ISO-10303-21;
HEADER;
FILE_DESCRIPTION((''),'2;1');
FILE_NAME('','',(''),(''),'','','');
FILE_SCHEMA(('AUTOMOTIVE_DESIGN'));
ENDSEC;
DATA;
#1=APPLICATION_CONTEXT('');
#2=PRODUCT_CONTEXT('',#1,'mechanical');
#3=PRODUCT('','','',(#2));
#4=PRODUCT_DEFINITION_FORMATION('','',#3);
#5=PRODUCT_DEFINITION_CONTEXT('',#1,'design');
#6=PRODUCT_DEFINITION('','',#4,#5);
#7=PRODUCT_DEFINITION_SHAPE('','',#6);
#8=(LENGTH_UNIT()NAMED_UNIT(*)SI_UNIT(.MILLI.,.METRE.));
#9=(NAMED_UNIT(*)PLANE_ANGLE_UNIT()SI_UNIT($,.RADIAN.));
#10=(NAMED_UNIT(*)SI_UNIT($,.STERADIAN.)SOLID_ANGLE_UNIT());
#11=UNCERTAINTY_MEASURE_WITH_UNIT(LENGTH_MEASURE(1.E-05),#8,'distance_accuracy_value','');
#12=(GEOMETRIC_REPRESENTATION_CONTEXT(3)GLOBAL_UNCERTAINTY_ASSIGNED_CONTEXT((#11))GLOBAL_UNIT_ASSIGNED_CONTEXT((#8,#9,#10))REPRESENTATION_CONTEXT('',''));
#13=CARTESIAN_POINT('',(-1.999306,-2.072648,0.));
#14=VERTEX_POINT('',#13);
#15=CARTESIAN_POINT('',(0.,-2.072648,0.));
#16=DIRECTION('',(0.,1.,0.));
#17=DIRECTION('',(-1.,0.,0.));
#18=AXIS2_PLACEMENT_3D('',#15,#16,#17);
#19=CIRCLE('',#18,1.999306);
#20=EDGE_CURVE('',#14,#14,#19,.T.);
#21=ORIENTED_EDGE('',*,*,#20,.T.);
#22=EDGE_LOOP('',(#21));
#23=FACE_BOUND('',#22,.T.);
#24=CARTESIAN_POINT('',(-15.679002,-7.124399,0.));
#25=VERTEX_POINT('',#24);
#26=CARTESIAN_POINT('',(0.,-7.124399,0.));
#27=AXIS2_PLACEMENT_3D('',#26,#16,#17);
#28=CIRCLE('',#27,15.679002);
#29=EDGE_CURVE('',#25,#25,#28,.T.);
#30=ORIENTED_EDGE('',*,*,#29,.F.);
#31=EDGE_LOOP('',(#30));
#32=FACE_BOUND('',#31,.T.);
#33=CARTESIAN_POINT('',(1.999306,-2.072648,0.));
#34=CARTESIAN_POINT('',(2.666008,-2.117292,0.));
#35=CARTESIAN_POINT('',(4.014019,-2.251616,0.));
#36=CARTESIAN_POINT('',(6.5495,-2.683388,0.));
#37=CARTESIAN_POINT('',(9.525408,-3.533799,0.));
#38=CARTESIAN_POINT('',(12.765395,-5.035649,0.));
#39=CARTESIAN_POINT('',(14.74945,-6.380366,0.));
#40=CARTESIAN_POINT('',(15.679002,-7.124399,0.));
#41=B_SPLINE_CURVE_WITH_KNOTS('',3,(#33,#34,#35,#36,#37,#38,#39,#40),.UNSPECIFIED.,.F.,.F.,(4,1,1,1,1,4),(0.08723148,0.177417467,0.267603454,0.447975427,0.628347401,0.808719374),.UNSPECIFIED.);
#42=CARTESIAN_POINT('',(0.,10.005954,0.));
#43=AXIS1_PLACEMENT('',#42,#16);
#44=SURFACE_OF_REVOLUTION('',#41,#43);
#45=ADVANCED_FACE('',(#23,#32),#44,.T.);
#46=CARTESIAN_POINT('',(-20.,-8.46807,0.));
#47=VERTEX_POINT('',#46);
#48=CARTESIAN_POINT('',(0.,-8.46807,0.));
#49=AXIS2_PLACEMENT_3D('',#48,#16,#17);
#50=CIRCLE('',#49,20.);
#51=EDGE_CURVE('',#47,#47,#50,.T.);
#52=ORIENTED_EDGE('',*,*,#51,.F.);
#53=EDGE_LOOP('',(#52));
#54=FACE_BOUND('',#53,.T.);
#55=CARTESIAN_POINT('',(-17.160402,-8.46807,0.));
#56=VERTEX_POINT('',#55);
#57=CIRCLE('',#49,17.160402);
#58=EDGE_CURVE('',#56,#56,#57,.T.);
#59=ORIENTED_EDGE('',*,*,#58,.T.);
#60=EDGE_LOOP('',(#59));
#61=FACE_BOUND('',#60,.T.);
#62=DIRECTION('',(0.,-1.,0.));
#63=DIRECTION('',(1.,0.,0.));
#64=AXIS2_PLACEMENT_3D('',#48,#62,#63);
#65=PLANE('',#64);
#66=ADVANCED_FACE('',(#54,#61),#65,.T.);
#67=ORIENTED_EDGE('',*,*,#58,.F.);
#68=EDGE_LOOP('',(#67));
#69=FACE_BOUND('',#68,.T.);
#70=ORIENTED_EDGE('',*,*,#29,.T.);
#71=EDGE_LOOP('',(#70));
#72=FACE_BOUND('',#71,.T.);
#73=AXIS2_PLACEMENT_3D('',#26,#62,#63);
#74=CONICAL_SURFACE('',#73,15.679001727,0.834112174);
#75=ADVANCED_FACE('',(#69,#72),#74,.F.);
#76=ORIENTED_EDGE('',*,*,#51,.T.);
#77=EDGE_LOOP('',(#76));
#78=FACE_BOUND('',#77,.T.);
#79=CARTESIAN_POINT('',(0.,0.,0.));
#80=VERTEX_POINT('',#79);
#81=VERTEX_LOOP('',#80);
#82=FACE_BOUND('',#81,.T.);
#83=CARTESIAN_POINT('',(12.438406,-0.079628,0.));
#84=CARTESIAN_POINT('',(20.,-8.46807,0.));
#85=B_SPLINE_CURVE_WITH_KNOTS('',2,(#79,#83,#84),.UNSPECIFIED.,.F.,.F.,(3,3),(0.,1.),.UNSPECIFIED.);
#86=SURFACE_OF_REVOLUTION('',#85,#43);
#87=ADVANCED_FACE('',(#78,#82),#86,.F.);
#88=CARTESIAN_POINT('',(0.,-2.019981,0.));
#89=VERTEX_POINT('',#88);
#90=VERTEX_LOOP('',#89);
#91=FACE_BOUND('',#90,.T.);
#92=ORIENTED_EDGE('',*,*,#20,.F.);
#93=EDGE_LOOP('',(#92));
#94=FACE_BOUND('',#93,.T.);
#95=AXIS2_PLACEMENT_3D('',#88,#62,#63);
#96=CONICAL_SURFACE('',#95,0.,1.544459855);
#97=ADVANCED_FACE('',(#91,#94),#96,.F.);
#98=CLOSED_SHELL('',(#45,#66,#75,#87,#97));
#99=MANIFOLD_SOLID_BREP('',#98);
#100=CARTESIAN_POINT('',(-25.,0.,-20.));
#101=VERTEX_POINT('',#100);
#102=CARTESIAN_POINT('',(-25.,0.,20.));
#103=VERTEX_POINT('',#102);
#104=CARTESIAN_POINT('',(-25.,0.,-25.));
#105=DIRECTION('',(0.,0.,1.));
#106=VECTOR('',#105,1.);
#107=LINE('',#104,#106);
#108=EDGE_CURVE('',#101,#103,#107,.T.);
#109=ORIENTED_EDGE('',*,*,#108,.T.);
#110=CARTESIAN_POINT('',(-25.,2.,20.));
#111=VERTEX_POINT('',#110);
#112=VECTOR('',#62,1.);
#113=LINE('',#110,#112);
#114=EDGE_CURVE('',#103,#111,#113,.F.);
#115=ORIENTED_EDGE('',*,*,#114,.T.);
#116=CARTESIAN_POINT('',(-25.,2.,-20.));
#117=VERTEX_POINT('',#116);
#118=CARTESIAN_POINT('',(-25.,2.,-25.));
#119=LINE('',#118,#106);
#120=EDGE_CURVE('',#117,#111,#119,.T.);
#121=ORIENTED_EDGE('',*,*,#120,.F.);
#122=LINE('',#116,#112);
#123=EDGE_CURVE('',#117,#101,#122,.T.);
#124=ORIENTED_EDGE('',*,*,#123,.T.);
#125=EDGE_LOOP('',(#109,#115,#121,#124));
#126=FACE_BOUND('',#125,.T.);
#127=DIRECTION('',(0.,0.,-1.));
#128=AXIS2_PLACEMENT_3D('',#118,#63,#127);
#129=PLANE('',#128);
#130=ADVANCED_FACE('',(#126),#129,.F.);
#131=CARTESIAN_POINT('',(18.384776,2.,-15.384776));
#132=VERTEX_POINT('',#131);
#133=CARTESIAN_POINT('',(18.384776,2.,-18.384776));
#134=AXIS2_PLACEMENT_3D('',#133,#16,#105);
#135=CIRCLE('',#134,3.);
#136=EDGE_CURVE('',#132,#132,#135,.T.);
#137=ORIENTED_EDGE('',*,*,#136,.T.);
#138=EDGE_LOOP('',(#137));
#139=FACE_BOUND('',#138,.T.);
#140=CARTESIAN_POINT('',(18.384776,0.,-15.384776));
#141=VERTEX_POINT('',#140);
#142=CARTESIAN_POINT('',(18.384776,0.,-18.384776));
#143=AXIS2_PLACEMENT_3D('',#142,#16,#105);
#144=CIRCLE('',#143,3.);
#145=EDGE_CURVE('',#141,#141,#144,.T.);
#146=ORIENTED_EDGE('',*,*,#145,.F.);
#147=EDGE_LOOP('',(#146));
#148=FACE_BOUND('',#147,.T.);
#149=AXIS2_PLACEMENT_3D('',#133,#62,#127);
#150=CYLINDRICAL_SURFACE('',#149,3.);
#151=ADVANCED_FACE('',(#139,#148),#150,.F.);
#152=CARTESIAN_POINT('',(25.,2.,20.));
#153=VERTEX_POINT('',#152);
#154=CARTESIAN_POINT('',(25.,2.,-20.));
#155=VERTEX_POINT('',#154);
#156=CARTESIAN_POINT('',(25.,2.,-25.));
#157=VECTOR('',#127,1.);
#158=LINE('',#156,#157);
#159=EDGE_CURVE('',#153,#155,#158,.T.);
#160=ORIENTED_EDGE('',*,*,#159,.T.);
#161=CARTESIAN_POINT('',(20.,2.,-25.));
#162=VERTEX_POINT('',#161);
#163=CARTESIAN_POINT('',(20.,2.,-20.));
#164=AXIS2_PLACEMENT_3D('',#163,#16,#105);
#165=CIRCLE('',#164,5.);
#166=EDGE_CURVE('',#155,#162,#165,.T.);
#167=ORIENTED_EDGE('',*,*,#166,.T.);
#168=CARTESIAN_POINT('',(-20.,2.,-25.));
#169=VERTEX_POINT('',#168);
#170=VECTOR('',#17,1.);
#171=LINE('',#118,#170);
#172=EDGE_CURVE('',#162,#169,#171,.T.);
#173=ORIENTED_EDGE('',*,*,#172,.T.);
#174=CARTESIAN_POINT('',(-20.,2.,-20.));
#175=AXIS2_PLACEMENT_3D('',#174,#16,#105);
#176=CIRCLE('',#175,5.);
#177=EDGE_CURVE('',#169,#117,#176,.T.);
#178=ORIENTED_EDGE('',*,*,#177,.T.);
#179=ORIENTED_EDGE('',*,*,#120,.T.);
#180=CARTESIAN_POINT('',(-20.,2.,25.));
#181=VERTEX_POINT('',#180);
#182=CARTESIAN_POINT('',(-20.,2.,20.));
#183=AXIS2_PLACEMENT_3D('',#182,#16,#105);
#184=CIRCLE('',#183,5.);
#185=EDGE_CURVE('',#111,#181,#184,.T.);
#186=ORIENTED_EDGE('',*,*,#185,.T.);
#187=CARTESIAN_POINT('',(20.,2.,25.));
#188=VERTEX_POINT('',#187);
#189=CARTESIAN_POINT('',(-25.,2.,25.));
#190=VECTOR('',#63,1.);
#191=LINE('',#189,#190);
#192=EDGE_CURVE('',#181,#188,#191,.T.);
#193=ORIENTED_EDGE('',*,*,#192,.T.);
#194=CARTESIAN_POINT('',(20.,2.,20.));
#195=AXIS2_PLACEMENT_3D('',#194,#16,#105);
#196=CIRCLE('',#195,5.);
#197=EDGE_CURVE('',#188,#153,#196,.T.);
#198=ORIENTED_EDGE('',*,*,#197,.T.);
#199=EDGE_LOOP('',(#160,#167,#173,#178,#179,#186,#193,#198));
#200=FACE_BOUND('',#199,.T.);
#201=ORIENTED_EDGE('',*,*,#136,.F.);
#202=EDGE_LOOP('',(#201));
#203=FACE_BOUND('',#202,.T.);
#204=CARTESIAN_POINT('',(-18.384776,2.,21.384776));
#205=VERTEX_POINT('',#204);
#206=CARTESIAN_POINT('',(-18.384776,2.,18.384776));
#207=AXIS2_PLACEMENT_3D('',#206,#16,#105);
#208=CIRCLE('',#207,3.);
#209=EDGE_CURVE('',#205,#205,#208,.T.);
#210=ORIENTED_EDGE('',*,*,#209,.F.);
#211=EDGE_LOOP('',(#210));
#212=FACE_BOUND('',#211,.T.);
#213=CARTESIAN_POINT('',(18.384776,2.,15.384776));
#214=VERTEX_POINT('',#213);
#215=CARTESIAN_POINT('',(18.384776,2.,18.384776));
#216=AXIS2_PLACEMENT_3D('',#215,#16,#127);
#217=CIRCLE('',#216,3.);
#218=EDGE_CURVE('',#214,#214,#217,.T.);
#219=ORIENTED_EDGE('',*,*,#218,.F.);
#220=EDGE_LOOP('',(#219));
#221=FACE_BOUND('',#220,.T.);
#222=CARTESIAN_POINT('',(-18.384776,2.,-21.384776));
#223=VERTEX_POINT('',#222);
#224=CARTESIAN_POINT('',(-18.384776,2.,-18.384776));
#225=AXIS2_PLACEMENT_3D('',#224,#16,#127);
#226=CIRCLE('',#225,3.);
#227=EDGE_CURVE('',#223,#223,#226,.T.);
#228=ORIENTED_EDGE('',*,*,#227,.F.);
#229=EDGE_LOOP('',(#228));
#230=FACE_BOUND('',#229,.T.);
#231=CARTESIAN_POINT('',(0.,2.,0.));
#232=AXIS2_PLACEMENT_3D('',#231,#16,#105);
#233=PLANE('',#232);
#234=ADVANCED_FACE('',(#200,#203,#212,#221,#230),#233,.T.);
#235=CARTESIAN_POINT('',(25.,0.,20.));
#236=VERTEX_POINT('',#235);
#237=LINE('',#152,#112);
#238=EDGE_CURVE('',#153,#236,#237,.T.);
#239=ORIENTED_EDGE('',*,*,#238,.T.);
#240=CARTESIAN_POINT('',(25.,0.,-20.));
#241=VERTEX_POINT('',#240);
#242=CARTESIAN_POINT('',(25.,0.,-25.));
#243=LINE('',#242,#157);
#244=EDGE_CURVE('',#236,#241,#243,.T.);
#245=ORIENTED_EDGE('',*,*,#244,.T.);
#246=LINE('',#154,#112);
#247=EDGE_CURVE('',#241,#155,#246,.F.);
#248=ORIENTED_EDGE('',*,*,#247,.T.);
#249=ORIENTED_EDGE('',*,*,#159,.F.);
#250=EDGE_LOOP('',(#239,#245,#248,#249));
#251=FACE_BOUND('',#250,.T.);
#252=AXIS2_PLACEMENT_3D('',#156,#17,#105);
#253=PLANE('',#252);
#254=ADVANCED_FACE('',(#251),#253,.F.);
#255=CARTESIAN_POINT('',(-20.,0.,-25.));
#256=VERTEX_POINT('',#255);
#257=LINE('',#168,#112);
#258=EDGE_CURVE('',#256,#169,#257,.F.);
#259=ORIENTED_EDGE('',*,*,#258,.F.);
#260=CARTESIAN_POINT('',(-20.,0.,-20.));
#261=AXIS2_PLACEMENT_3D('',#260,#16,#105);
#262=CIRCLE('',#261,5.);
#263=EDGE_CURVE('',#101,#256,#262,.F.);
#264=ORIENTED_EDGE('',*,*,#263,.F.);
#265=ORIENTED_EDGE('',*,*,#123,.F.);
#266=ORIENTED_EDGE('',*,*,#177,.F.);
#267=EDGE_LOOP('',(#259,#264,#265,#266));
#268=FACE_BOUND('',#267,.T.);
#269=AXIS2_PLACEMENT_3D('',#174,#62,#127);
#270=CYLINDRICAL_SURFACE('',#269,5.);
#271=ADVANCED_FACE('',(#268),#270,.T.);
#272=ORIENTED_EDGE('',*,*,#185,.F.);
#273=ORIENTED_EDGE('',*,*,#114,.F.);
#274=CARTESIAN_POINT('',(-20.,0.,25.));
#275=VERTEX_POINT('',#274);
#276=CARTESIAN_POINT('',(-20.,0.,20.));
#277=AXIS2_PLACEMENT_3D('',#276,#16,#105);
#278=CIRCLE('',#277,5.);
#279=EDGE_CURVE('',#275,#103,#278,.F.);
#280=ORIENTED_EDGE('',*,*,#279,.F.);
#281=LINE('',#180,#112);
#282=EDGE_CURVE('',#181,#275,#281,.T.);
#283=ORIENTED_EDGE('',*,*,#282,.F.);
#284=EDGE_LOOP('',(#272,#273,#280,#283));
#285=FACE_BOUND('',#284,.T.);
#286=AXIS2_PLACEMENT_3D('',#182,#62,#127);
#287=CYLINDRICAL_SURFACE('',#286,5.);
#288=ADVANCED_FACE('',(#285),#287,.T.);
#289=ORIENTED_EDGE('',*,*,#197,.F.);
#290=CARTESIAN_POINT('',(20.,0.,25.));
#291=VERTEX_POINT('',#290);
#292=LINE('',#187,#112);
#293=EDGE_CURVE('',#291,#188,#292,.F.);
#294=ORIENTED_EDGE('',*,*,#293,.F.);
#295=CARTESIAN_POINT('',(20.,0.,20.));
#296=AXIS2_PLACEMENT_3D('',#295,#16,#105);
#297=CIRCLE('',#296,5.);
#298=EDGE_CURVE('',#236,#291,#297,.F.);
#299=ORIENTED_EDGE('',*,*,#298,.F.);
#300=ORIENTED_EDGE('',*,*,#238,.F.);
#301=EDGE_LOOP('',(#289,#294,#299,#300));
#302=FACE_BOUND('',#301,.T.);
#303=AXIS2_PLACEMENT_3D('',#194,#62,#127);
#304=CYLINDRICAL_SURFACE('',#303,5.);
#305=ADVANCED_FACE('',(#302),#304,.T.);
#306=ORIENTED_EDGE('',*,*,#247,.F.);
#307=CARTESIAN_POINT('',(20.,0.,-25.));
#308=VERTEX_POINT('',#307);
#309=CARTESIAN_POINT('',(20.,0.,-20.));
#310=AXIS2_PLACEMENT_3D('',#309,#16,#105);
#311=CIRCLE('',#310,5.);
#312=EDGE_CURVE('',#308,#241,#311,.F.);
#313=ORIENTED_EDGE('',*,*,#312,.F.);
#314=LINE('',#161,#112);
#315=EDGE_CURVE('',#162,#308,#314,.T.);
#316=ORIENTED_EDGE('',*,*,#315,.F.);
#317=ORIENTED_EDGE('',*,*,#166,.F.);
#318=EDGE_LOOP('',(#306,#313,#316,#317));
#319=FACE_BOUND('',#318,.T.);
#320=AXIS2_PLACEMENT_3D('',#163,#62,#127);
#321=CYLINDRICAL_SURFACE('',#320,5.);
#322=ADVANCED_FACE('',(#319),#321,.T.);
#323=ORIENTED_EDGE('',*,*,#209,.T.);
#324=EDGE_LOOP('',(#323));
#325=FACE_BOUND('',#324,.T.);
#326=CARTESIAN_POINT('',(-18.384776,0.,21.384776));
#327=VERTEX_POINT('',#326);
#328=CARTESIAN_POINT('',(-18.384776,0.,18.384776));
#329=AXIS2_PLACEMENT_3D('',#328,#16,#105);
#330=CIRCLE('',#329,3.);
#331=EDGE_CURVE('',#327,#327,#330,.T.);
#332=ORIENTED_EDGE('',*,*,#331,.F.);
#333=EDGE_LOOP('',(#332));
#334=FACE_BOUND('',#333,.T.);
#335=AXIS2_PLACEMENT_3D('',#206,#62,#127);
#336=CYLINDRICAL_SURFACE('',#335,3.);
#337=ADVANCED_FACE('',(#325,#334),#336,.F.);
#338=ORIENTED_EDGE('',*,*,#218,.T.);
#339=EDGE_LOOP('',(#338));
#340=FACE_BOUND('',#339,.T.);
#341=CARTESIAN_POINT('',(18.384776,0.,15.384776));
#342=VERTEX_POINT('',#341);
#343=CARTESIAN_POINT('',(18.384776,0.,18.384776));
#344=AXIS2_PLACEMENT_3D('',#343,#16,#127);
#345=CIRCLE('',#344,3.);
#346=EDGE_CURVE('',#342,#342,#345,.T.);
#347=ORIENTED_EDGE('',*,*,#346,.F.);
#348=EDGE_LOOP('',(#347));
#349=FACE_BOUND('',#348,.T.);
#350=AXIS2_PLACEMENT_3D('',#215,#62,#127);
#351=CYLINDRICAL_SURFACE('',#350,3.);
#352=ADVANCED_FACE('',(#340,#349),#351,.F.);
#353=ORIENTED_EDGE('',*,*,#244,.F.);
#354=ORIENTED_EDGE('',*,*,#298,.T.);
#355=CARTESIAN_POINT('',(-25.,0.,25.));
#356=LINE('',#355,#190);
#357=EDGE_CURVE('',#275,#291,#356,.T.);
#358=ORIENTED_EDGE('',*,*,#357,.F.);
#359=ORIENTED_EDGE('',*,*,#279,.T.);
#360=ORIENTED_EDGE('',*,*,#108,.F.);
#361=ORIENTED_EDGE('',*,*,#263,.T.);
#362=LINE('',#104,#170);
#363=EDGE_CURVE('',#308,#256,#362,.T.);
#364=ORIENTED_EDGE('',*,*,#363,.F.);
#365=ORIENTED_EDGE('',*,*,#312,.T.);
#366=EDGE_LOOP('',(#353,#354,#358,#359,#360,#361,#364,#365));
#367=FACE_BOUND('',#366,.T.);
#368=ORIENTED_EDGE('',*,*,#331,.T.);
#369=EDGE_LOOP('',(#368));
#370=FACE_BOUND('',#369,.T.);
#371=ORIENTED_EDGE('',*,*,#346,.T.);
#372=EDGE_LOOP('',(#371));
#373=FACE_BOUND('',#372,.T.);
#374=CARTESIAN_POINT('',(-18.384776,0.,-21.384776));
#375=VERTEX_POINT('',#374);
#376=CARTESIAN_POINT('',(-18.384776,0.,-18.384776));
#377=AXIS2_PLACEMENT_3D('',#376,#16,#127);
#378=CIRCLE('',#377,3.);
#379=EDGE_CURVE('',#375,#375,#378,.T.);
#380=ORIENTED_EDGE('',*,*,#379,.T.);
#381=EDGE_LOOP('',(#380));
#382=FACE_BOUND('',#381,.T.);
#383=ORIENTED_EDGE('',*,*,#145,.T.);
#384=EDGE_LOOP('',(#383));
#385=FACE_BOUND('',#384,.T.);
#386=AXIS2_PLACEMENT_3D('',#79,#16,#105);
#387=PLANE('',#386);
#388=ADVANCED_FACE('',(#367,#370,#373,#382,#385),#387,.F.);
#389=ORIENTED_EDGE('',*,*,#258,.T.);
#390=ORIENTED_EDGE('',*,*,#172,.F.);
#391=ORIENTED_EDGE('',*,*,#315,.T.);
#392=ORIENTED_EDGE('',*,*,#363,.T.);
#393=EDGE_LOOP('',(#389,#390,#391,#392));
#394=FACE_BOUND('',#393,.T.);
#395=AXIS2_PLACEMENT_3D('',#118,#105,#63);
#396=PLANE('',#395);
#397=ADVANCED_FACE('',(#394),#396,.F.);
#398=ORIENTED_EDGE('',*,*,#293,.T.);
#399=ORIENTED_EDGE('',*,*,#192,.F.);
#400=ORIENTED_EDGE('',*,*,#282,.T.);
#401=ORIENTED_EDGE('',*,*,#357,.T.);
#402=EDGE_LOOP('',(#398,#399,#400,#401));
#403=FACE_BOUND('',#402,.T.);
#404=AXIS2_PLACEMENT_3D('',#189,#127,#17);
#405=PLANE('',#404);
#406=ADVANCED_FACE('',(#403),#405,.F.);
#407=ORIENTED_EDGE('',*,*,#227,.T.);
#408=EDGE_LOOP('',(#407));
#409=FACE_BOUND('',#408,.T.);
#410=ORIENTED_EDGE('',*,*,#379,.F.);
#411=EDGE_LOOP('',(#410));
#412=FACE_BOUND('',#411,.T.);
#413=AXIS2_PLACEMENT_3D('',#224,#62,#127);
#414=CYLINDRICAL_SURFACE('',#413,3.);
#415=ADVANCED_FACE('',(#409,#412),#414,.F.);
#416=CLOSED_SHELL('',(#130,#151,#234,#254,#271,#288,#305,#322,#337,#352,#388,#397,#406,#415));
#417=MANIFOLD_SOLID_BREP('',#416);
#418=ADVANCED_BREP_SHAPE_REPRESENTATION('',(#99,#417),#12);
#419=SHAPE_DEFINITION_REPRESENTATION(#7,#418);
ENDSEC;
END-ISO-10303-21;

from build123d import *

# Parameters (mm, degrees)
SKETCH1_W           = 50
SKETCH1_H           = 50
SKETCH1_R           = 3
BOSS_EXTRUDE1_DEPTH = 2
FILLET1_R           = 5


with BuildPart() as part:
    # Sketch1 → Boss-Extrude1 (new body)
    with BuildSketch(Plane(origin=(0, 0, 0), x_dir=(1, 0, 0), z_dir=(0, 1, 0))):
        Rectangle(SKETCH1_W, SKETCH1_H)
        with Locations(Location((18.384776311, 18.384776311, 0), (0, 0, 270))):
            Circle(SKETCH1_R, mode=Mode.SUBTRACT)
        with Locations(Location((-18.384776311, 18.384776311, 0), (0, 0, 90))):
            Circle(SKETCH1_R, mode=Mode.SUBTRACT)
        with Locations(Location((18.384776311, -18.384776311, 0), (0, 0, 90))):
            Circle(SKETCH1_R, mode=Mode.SUBTRACT)
        with Locations(Location((-18.384776311, -18.384776311, 0), (0, 0, 270))):
            Circle(SKETCH1_R, mode=Mode.SUBTRACT)
    extrude(amount=BOSS_EXTRUDE1_DEPTH)

    # Fillet1
    fillet1_edges = [part.edges().sort_by_distance(p)[0] for p in [
        (25, 1, 25),
        (-25, 1, 25),
        (-25, 1, -25),
        (25, 1, -25),
    ]]
    fillet(fillet1_edges, radius=FILLET1_R)


with BuildPart() as body_2:
    # Sketch2 → Revolve1 (revolve)
    with BuildSketch(Plane.XY):
        with BuildLine():
            Line((0, -2.019980921), (1.99930643, -2.072647775))
            add(Edge.make_bspline(
                [(1.99930643, -2.072647775), (2.666007666, -2.117291662), (4.014019168, -2.251616435), (6.549499982, -2.683388344), (9.525407915, -3.533799384), (12.765394617, -5.035648817), (14.749449818, -6.380365871), (15.679001727, -7.124399167)],
                knots=[0.08723148, 0.08723148, 0.08723148, 0.08723148, 0.177417467, 0.267603454, 0.447975427, 0.628347401, 0.808719374, 0.808719374, 0.808719374, 0.808719374], degree=3))
            Line((15.679001727, -7.124399167), (17.160402388, -8.468070288))
            Line((17.160402388, -8.468070288), (20, -8.468070288))
            add(Edge.make_bspline(
                [(0, 0), (12.43840622, -0.079628335), (20, -8.468070288)],
                knots=[0, 0, 0, 1, 1, 1], degree=2))
            Line((0, 0), (0, -2.019980921))
        make_face()
    revolve(axis=Axis((0, 10.005953766, 0), (0, -1, 0)))


solid = Compound([part.part, body_2.part])
